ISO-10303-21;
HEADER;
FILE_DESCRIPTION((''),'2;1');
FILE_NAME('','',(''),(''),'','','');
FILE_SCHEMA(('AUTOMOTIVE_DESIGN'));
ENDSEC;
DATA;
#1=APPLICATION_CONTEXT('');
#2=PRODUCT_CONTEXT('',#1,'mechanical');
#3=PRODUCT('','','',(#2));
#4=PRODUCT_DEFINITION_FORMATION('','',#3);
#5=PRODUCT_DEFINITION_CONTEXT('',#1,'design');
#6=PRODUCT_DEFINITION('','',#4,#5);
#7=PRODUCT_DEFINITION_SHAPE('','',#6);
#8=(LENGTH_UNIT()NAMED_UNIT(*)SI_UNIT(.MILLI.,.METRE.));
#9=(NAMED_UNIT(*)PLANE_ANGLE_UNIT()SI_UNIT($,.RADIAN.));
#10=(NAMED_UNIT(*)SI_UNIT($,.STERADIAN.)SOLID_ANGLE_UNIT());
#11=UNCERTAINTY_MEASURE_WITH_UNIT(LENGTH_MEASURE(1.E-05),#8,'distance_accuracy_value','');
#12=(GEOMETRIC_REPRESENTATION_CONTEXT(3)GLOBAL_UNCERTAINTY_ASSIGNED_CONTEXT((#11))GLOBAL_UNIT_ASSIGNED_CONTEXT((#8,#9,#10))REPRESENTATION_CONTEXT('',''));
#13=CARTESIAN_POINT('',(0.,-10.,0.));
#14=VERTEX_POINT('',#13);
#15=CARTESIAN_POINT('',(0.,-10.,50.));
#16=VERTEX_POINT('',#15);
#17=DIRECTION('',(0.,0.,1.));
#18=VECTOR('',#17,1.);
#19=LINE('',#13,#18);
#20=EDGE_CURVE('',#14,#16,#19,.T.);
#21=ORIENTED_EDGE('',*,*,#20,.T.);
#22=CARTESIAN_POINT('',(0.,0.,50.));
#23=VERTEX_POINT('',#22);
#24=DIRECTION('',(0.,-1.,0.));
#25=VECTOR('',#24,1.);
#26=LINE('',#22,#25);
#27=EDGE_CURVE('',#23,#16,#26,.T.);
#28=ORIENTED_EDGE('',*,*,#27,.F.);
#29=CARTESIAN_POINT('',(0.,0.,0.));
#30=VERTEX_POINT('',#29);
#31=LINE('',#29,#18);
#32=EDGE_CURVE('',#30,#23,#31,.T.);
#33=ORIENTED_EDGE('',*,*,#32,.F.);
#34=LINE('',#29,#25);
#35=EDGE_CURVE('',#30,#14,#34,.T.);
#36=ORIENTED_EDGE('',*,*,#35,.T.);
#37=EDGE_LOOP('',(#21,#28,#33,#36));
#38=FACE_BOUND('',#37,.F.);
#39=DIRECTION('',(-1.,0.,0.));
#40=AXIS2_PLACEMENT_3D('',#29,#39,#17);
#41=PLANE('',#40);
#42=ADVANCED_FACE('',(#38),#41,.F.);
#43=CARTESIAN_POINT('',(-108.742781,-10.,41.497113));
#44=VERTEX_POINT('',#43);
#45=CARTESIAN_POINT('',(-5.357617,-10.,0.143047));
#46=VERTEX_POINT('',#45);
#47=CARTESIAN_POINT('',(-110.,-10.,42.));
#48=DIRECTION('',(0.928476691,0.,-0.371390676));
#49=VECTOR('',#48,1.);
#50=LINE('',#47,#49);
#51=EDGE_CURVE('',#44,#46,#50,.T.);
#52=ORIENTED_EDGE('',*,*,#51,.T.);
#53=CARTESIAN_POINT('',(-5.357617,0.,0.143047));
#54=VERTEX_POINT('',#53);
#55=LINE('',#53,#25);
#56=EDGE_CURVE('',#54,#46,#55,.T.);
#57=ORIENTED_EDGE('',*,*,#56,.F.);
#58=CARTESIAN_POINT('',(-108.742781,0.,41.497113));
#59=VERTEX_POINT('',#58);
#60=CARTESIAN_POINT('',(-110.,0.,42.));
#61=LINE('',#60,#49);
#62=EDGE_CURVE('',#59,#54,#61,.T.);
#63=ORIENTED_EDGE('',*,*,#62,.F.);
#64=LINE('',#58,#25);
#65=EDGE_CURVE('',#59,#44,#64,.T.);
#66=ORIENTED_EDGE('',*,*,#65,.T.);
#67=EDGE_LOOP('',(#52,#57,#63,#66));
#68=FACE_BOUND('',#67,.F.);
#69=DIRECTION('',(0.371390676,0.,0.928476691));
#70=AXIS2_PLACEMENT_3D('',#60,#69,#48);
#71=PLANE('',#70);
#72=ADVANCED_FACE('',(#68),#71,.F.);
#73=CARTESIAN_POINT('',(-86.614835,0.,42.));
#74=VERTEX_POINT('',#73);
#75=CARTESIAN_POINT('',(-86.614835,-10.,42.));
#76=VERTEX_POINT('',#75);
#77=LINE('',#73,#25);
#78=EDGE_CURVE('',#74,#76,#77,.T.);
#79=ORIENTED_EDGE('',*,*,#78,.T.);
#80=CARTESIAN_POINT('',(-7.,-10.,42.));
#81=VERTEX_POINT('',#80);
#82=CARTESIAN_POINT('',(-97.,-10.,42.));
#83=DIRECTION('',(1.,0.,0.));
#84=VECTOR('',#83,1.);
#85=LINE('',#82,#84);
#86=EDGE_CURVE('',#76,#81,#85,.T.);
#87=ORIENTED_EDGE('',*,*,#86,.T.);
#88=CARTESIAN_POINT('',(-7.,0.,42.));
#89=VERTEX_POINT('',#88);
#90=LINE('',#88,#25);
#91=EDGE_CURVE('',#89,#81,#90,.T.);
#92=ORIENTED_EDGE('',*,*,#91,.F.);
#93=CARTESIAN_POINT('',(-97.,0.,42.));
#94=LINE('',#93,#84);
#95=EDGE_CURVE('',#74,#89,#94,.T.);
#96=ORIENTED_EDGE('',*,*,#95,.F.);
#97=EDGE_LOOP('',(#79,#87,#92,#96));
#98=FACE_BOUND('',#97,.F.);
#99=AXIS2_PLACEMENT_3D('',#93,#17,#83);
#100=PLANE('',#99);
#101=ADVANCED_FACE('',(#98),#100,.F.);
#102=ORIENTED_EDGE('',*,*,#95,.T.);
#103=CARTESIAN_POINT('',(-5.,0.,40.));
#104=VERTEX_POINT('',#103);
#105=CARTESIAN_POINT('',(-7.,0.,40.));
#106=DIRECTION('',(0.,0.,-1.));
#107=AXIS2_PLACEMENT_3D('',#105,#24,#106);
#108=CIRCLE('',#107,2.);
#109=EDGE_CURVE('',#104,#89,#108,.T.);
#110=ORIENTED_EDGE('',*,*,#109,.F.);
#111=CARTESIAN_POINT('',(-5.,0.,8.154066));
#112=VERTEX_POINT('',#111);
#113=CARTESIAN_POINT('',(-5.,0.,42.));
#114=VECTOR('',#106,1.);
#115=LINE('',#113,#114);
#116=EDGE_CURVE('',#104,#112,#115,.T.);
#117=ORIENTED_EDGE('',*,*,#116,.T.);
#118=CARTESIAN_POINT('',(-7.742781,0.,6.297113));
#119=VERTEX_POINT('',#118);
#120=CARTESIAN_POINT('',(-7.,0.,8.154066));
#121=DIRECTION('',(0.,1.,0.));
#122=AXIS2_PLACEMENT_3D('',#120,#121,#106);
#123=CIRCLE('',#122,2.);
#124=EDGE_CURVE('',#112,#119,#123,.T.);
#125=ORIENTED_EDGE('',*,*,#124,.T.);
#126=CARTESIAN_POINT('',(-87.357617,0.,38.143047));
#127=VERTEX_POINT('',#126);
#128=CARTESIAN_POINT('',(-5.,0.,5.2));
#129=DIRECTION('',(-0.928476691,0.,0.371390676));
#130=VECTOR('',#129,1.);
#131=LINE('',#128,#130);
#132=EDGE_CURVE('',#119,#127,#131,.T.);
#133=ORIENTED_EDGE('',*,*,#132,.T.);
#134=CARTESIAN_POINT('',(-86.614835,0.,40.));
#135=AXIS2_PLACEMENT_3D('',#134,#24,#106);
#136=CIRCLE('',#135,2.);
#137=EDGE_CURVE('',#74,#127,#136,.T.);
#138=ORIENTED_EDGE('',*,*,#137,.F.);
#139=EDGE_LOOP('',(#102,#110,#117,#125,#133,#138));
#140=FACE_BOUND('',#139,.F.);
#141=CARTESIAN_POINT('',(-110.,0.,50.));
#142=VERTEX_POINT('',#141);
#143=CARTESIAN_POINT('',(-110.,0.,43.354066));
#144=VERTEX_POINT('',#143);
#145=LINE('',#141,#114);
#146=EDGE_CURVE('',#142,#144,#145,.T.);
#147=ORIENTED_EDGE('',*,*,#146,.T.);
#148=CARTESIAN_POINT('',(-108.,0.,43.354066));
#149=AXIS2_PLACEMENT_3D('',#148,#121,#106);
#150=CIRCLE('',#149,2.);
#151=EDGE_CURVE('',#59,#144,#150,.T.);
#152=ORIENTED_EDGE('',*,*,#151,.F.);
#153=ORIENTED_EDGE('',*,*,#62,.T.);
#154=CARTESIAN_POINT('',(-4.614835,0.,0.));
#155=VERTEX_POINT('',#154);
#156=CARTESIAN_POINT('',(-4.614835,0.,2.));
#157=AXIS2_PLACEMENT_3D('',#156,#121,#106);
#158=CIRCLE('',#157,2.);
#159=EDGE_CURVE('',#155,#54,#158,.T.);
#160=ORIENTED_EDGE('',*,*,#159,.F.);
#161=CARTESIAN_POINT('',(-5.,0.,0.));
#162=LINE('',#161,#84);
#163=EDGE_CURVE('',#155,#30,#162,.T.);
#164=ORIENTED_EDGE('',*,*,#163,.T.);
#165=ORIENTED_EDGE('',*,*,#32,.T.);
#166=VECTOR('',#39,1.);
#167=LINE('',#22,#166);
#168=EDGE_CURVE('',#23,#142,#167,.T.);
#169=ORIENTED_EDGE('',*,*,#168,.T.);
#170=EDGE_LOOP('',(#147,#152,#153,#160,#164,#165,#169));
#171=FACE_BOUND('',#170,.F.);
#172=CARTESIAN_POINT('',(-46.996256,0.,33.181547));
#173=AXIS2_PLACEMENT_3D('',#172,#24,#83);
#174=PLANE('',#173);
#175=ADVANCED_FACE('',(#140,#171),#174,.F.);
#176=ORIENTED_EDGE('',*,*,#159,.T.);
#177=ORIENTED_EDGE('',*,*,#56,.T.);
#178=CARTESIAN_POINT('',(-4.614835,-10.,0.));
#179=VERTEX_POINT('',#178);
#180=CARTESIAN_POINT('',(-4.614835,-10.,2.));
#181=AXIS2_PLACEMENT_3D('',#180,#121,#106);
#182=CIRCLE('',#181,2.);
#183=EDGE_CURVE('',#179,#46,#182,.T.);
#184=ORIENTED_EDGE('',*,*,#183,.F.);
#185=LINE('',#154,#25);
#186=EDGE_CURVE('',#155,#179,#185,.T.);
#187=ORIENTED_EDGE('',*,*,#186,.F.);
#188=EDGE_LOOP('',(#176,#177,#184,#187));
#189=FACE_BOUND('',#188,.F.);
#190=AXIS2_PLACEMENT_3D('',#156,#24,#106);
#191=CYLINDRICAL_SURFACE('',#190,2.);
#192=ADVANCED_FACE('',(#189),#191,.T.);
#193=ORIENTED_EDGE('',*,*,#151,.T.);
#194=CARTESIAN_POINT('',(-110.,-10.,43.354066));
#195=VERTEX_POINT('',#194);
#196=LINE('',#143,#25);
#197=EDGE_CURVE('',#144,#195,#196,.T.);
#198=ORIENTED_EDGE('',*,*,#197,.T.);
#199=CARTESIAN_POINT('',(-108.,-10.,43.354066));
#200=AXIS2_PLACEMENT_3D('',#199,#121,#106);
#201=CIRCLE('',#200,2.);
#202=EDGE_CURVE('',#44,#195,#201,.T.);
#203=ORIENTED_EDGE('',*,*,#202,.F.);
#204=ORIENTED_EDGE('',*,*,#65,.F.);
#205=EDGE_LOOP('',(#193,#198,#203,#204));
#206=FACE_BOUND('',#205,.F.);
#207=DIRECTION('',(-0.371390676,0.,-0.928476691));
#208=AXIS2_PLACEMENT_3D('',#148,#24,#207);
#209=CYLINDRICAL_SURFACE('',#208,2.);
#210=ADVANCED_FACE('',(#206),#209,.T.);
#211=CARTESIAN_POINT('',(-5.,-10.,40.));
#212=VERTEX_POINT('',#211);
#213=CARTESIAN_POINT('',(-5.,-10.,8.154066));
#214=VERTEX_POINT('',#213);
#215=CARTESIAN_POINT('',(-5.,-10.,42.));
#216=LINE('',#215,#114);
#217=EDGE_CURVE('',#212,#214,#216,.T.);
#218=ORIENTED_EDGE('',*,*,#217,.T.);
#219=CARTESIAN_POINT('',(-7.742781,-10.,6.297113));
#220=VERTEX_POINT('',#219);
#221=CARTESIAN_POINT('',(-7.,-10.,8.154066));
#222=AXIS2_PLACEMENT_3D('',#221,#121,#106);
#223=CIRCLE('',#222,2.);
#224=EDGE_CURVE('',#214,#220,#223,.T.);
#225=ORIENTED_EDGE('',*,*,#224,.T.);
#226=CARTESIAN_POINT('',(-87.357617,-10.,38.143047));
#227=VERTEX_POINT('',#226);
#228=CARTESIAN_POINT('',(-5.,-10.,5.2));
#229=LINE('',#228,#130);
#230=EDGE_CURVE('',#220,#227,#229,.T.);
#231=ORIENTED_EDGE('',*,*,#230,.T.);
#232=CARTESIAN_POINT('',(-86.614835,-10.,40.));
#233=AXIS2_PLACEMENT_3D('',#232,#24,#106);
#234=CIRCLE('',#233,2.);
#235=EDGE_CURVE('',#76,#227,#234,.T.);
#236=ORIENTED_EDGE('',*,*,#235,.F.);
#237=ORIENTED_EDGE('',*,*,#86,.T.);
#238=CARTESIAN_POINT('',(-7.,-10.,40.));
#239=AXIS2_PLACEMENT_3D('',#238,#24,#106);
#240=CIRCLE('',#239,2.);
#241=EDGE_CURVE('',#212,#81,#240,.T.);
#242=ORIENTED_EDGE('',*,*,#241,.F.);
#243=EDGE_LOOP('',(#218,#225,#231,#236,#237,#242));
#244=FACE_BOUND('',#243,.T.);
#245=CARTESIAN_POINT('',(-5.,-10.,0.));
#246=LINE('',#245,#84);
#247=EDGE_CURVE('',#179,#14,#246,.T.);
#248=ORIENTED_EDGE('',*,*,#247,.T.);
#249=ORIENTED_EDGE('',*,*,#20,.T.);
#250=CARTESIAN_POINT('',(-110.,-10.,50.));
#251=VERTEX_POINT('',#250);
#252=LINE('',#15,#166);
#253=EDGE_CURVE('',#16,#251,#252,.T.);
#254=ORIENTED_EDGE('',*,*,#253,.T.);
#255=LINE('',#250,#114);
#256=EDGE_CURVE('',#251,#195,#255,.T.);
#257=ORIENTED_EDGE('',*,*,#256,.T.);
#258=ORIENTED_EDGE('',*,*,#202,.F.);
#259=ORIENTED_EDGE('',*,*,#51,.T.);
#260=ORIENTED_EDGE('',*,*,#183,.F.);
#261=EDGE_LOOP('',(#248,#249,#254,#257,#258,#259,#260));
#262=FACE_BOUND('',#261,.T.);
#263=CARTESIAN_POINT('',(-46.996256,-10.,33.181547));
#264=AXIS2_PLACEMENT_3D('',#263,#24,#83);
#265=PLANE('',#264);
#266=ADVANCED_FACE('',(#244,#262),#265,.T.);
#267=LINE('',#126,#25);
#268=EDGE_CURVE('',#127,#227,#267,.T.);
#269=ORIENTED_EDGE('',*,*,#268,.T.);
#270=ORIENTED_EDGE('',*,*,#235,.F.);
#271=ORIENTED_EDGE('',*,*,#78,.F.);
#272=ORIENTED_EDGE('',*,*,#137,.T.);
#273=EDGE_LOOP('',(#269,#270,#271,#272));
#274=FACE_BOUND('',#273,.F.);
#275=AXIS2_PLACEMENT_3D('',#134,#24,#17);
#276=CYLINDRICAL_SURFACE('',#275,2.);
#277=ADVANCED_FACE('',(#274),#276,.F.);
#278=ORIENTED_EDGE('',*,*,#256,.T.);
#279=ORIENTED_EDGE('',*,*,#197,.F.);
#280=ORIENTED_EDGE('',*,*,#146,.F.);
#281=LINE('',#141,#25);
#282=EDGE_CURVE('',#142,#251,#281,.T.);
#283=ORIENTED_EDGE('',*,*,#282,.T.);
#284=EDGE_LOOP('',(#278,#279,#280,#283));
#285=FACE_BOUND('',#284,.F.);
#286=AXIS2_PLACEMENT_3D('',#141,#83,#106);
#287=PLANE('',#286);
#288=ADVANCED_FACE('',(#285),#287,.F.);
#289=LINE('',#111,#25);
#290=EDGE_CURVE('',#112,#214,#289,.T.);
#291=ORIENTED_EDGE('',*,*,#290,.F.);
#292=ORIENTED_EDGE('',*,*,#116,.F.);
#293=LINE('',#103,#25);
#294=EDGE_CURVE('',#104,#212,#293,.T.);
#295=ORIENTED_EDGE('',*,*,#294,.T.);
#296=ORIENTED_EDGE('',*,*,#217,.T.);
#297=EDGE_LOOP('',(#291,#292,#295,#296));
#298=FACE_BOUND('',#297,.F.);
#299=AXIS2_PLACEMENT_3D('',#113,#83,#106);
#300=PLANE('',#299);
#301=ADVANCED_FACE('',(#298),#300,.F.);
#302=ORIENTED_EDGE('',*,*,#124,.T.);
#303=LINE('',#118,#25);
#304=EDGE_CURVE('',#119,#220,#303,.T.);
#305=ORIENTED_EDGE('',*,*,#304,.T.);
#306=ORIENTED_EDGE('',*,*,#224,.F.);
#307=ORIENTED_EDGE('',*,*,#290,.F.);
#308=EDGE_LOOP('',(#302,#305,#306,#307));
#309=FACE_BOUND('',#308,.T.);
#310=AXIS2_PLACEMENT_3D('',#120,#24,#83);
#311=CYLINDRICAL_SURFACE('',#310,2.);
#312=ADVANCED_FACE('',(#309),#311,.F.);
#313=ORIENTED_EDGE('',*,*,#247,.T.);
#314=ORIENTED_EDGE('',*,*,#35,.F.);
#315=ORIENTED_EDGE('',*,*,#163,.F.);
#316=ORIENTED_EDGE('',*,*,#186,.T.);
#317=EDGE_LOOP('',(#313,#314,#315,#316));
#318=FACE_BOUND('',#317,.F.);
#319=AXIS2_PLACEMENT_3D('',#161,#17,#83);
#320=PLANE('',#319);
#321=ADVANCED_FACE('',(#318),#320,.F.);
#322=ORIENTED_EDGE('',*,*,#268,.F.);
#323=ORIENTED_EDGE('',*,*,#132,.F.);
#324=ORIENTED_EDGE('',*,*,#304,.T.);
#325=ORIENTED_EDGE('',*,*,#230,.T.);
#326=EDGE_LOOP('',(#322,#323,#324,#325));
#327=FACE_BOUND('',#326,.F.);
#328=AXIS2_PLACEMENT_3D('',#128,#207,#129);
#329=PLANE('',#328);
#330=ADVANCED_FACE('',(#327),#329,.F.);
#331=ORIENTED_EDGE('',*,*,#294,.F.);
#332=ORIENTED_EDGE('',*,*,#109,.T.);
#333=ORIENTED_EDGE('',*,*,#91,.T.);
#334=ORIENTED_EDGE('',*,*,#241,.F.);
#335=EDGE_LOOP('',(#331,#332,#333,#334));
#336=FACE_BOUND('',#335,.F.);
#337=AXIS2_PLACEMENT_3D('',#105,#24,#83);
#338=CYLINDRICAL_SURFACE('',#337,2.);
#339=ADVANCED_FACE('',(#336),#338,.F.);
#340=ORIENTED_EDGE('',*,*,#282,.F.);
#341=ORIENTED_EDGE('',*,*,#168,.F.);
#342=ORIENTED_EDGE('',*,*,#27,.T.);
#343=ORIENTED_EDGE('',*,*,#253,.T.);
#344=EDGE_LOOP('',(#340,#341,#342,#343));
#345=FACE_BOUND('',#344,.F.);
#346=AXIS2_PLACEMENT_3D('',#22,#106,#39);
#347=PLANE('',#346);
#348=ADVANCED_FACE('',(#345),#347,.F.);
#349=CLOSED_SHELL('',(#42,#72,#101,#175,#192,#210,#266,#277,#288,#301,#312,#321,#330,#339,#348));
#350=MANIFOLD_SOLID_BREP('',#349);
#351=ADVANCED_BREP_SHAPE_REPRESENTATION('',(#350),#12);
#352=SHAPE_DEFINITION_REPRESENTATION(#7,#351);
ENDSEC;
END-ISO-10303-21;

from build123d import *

# Parameters (mm, degrees)
F1_DEPTH = 10
F2_R     = 2


with BuildPart() as f1:
    # F0 (on Front) → F1 (new body)
    with BuildSketch(Plane.XZ):
        Polygon((-5, 0), (0, 0), (0, 50), (-110, 50), (-110, 42), align=None)
        Polygon((-5, 5.2), (-97, 42), (-5, 42), align=None, mode=Mode.SUBTRACT)
    extrude(amount=F1_DEPTH)

    # F2
    f2_edges = [f1.edges().sort_by_distance(p)[0] for p in [
        (-97, -5, 42),
        (-5, -5, 5.2),
        (-5, -5, 42),
        (-110, -5, 42),
        (-5, -5, 0),
    ]]
    fillet(f2_edges, radius=F2_R)


solid = f1.part
